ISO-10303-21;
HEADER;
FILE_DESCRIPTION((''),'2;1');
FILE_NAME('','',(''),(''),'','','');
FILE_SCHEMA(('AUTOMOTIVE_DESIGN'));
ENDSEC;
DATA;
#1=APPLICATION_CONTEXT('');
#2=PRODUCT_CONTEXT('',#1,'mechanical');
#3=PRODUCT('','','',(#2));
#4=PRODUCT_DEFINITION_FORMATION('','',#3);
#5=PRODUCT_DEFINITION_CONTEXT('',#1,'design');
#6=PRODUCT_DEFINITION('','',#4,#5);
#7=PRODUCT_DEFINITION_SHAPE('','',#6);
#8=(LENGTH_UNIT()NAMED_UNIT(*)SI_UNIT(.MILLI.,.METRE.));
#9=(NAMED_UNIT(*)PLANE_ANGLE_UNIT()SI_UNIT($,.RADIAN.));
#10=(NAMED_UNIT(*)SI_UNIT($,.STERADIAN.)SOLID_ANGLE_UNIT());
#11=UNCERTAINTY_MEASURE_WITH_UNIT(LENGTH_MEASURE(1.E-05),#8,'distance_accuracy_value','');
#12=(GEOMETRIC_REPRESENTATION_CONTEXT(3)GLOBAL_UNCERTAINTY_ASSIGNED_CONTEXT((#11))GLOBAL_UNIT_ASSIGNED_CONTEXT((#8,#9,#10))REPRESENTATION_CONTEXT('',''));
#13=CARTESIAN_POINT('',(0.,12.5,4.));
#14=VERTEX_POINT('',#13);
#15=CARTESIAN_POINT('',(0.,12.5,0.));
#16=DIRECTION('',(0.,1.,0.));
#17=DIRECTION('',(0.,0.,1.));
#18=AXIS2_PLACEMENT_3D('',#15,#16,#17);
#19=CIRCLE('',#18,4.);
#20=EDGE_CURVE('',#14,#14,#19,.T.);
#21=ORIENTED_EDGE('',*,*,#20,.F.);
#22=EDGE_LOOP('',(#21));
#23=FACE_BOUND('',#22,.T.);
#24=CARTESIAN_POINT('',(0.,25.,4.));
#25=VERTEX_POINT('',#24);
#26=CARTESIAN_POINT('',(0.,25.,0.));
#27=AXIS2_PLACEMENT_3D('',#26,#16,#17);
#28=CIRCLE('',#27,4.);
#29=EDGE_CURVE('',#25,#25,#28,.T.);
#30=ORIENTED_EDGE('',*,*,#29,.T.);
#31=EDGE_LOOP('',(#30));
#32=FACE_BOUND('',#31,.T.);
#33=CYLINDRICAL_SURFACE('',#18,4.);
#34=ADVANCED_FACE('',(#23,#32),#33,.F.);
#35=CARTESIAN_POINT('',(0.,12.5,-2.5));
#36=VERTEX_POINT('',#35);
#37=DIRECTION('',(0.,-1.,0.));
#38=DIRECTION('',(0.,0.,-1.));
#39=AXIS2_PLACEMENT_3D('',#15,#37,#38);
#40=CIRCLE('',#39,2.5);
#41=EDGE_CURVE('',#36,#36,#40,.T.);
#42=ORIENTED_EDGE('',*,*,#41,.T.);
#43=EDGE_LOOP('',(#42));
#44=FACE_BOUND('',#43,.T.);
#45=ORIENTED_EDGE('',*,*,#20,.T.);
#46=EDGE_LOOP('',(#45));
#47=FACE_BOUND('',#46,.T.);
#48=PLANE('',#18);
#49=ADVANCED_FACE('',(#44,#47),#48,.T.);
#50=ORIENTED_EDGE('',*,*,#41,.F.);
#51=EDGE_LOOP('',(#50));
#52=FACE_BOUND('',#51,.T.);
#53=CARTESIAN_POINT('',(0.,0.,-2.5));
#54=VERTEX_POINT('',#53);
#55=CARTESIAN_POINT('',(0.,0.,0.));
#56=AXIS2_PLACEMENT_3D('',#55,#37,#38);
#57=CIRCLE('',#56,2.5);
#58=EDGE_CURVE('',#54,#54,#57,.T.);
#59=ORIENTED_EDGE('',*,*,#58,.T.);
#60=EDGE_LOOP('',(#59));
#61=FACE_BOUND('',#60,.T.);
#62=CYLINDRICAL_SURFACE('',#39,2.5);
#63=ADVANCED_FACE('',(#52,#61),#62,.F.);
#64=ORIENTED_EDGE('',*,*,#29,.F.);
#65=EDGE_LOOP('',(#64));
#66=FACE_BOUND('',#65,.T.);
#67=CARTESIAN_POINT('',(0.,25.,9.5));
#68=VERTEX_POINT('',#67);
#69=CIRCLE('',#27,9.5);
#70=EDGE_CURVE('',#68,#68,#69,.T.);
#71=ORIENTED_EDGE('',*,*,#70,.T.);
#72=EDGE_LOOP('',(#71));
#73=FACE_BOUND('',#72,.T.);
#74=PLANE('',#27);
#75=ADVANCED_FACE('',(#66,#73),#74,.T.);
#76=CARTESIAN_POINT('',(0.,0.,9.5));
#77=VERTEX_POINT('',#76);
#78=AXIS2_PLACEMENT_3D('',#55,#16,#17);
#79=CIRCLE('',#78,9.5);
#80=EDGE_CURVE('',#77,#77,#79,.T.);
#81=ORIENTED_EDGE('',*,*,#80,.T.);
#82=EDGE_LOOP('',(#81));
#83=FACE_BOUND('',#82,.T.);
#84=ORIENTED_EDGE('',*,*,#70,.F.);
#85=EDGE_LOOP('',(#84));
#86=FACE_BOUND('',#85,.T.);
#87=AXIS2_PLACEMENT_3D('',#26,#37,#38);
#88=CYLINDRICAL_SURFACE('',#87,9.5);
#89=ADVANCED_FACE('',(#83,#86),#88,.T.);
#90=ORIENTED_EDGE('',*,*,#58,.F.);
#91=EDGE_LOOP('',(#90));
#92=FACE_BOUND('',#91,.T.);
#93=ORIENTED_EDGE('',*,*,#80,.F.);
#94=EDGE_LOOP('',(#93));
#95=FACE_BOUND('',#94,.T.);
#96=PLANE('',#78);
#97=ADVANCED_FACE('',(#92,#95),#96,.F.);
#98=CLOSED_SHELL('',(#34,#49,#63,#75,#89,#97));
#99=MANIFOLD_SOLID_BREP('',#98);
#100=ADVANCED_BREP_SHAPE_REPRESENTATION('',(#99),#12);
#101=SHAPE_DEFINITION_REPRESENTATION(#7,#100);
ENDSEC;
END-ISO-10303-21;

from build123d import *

# Parameters (mm, degrees)
ESBO_O1_R                = 9.5
RESSALTO_EXTRUS_O1_DEPTH = 25
ESBO_O2_R                = 4
CORTE_EXTRUS_O1_DEPTH    = 12.5
ESBO_O3_R                = 2.5
CORTE_EXTRUS_O2_DEPTH    = 12.5


with BuildPart() as part:
    # Esboço1 → Ressalto-extrusão1 (new body)
    with BuildSketch(Plane(origin=(0, 0, 0), x_dir=(1, 0, 0), z_dir=(0, 1, 0))):
        Circle(ESBO_O1_R)
    extrude(amount=RESSALTO_EXTRUS_O1_DEPTH)

    # Esboço2 → Corte-extrusão1 (cut)
    with BuildSketch(Plane(origin=(0, 25, 0), x_dir=(1, 0, 0), z_dir=(0, 1, 0))):
        Circle(ESBO_O2_R)
    extrude(amount=-CORTE_EXTRUS_O1_DEPTH, mode=Mode.SUBTRACT)

    # Esboço3 → Corte-extrusão2 (cut)
    with BuildSketch(Plane(origin=(0, 0, 0), x_dir=(-1, 0, 0), z_dir=(0, -1, 0))):
        Circle(ESBO_O3_R)
    extrude(amount=-CORTE_EXTRUS_O2_DEPTH, mode=Mode.SUBTRACT)


solid = part.part
